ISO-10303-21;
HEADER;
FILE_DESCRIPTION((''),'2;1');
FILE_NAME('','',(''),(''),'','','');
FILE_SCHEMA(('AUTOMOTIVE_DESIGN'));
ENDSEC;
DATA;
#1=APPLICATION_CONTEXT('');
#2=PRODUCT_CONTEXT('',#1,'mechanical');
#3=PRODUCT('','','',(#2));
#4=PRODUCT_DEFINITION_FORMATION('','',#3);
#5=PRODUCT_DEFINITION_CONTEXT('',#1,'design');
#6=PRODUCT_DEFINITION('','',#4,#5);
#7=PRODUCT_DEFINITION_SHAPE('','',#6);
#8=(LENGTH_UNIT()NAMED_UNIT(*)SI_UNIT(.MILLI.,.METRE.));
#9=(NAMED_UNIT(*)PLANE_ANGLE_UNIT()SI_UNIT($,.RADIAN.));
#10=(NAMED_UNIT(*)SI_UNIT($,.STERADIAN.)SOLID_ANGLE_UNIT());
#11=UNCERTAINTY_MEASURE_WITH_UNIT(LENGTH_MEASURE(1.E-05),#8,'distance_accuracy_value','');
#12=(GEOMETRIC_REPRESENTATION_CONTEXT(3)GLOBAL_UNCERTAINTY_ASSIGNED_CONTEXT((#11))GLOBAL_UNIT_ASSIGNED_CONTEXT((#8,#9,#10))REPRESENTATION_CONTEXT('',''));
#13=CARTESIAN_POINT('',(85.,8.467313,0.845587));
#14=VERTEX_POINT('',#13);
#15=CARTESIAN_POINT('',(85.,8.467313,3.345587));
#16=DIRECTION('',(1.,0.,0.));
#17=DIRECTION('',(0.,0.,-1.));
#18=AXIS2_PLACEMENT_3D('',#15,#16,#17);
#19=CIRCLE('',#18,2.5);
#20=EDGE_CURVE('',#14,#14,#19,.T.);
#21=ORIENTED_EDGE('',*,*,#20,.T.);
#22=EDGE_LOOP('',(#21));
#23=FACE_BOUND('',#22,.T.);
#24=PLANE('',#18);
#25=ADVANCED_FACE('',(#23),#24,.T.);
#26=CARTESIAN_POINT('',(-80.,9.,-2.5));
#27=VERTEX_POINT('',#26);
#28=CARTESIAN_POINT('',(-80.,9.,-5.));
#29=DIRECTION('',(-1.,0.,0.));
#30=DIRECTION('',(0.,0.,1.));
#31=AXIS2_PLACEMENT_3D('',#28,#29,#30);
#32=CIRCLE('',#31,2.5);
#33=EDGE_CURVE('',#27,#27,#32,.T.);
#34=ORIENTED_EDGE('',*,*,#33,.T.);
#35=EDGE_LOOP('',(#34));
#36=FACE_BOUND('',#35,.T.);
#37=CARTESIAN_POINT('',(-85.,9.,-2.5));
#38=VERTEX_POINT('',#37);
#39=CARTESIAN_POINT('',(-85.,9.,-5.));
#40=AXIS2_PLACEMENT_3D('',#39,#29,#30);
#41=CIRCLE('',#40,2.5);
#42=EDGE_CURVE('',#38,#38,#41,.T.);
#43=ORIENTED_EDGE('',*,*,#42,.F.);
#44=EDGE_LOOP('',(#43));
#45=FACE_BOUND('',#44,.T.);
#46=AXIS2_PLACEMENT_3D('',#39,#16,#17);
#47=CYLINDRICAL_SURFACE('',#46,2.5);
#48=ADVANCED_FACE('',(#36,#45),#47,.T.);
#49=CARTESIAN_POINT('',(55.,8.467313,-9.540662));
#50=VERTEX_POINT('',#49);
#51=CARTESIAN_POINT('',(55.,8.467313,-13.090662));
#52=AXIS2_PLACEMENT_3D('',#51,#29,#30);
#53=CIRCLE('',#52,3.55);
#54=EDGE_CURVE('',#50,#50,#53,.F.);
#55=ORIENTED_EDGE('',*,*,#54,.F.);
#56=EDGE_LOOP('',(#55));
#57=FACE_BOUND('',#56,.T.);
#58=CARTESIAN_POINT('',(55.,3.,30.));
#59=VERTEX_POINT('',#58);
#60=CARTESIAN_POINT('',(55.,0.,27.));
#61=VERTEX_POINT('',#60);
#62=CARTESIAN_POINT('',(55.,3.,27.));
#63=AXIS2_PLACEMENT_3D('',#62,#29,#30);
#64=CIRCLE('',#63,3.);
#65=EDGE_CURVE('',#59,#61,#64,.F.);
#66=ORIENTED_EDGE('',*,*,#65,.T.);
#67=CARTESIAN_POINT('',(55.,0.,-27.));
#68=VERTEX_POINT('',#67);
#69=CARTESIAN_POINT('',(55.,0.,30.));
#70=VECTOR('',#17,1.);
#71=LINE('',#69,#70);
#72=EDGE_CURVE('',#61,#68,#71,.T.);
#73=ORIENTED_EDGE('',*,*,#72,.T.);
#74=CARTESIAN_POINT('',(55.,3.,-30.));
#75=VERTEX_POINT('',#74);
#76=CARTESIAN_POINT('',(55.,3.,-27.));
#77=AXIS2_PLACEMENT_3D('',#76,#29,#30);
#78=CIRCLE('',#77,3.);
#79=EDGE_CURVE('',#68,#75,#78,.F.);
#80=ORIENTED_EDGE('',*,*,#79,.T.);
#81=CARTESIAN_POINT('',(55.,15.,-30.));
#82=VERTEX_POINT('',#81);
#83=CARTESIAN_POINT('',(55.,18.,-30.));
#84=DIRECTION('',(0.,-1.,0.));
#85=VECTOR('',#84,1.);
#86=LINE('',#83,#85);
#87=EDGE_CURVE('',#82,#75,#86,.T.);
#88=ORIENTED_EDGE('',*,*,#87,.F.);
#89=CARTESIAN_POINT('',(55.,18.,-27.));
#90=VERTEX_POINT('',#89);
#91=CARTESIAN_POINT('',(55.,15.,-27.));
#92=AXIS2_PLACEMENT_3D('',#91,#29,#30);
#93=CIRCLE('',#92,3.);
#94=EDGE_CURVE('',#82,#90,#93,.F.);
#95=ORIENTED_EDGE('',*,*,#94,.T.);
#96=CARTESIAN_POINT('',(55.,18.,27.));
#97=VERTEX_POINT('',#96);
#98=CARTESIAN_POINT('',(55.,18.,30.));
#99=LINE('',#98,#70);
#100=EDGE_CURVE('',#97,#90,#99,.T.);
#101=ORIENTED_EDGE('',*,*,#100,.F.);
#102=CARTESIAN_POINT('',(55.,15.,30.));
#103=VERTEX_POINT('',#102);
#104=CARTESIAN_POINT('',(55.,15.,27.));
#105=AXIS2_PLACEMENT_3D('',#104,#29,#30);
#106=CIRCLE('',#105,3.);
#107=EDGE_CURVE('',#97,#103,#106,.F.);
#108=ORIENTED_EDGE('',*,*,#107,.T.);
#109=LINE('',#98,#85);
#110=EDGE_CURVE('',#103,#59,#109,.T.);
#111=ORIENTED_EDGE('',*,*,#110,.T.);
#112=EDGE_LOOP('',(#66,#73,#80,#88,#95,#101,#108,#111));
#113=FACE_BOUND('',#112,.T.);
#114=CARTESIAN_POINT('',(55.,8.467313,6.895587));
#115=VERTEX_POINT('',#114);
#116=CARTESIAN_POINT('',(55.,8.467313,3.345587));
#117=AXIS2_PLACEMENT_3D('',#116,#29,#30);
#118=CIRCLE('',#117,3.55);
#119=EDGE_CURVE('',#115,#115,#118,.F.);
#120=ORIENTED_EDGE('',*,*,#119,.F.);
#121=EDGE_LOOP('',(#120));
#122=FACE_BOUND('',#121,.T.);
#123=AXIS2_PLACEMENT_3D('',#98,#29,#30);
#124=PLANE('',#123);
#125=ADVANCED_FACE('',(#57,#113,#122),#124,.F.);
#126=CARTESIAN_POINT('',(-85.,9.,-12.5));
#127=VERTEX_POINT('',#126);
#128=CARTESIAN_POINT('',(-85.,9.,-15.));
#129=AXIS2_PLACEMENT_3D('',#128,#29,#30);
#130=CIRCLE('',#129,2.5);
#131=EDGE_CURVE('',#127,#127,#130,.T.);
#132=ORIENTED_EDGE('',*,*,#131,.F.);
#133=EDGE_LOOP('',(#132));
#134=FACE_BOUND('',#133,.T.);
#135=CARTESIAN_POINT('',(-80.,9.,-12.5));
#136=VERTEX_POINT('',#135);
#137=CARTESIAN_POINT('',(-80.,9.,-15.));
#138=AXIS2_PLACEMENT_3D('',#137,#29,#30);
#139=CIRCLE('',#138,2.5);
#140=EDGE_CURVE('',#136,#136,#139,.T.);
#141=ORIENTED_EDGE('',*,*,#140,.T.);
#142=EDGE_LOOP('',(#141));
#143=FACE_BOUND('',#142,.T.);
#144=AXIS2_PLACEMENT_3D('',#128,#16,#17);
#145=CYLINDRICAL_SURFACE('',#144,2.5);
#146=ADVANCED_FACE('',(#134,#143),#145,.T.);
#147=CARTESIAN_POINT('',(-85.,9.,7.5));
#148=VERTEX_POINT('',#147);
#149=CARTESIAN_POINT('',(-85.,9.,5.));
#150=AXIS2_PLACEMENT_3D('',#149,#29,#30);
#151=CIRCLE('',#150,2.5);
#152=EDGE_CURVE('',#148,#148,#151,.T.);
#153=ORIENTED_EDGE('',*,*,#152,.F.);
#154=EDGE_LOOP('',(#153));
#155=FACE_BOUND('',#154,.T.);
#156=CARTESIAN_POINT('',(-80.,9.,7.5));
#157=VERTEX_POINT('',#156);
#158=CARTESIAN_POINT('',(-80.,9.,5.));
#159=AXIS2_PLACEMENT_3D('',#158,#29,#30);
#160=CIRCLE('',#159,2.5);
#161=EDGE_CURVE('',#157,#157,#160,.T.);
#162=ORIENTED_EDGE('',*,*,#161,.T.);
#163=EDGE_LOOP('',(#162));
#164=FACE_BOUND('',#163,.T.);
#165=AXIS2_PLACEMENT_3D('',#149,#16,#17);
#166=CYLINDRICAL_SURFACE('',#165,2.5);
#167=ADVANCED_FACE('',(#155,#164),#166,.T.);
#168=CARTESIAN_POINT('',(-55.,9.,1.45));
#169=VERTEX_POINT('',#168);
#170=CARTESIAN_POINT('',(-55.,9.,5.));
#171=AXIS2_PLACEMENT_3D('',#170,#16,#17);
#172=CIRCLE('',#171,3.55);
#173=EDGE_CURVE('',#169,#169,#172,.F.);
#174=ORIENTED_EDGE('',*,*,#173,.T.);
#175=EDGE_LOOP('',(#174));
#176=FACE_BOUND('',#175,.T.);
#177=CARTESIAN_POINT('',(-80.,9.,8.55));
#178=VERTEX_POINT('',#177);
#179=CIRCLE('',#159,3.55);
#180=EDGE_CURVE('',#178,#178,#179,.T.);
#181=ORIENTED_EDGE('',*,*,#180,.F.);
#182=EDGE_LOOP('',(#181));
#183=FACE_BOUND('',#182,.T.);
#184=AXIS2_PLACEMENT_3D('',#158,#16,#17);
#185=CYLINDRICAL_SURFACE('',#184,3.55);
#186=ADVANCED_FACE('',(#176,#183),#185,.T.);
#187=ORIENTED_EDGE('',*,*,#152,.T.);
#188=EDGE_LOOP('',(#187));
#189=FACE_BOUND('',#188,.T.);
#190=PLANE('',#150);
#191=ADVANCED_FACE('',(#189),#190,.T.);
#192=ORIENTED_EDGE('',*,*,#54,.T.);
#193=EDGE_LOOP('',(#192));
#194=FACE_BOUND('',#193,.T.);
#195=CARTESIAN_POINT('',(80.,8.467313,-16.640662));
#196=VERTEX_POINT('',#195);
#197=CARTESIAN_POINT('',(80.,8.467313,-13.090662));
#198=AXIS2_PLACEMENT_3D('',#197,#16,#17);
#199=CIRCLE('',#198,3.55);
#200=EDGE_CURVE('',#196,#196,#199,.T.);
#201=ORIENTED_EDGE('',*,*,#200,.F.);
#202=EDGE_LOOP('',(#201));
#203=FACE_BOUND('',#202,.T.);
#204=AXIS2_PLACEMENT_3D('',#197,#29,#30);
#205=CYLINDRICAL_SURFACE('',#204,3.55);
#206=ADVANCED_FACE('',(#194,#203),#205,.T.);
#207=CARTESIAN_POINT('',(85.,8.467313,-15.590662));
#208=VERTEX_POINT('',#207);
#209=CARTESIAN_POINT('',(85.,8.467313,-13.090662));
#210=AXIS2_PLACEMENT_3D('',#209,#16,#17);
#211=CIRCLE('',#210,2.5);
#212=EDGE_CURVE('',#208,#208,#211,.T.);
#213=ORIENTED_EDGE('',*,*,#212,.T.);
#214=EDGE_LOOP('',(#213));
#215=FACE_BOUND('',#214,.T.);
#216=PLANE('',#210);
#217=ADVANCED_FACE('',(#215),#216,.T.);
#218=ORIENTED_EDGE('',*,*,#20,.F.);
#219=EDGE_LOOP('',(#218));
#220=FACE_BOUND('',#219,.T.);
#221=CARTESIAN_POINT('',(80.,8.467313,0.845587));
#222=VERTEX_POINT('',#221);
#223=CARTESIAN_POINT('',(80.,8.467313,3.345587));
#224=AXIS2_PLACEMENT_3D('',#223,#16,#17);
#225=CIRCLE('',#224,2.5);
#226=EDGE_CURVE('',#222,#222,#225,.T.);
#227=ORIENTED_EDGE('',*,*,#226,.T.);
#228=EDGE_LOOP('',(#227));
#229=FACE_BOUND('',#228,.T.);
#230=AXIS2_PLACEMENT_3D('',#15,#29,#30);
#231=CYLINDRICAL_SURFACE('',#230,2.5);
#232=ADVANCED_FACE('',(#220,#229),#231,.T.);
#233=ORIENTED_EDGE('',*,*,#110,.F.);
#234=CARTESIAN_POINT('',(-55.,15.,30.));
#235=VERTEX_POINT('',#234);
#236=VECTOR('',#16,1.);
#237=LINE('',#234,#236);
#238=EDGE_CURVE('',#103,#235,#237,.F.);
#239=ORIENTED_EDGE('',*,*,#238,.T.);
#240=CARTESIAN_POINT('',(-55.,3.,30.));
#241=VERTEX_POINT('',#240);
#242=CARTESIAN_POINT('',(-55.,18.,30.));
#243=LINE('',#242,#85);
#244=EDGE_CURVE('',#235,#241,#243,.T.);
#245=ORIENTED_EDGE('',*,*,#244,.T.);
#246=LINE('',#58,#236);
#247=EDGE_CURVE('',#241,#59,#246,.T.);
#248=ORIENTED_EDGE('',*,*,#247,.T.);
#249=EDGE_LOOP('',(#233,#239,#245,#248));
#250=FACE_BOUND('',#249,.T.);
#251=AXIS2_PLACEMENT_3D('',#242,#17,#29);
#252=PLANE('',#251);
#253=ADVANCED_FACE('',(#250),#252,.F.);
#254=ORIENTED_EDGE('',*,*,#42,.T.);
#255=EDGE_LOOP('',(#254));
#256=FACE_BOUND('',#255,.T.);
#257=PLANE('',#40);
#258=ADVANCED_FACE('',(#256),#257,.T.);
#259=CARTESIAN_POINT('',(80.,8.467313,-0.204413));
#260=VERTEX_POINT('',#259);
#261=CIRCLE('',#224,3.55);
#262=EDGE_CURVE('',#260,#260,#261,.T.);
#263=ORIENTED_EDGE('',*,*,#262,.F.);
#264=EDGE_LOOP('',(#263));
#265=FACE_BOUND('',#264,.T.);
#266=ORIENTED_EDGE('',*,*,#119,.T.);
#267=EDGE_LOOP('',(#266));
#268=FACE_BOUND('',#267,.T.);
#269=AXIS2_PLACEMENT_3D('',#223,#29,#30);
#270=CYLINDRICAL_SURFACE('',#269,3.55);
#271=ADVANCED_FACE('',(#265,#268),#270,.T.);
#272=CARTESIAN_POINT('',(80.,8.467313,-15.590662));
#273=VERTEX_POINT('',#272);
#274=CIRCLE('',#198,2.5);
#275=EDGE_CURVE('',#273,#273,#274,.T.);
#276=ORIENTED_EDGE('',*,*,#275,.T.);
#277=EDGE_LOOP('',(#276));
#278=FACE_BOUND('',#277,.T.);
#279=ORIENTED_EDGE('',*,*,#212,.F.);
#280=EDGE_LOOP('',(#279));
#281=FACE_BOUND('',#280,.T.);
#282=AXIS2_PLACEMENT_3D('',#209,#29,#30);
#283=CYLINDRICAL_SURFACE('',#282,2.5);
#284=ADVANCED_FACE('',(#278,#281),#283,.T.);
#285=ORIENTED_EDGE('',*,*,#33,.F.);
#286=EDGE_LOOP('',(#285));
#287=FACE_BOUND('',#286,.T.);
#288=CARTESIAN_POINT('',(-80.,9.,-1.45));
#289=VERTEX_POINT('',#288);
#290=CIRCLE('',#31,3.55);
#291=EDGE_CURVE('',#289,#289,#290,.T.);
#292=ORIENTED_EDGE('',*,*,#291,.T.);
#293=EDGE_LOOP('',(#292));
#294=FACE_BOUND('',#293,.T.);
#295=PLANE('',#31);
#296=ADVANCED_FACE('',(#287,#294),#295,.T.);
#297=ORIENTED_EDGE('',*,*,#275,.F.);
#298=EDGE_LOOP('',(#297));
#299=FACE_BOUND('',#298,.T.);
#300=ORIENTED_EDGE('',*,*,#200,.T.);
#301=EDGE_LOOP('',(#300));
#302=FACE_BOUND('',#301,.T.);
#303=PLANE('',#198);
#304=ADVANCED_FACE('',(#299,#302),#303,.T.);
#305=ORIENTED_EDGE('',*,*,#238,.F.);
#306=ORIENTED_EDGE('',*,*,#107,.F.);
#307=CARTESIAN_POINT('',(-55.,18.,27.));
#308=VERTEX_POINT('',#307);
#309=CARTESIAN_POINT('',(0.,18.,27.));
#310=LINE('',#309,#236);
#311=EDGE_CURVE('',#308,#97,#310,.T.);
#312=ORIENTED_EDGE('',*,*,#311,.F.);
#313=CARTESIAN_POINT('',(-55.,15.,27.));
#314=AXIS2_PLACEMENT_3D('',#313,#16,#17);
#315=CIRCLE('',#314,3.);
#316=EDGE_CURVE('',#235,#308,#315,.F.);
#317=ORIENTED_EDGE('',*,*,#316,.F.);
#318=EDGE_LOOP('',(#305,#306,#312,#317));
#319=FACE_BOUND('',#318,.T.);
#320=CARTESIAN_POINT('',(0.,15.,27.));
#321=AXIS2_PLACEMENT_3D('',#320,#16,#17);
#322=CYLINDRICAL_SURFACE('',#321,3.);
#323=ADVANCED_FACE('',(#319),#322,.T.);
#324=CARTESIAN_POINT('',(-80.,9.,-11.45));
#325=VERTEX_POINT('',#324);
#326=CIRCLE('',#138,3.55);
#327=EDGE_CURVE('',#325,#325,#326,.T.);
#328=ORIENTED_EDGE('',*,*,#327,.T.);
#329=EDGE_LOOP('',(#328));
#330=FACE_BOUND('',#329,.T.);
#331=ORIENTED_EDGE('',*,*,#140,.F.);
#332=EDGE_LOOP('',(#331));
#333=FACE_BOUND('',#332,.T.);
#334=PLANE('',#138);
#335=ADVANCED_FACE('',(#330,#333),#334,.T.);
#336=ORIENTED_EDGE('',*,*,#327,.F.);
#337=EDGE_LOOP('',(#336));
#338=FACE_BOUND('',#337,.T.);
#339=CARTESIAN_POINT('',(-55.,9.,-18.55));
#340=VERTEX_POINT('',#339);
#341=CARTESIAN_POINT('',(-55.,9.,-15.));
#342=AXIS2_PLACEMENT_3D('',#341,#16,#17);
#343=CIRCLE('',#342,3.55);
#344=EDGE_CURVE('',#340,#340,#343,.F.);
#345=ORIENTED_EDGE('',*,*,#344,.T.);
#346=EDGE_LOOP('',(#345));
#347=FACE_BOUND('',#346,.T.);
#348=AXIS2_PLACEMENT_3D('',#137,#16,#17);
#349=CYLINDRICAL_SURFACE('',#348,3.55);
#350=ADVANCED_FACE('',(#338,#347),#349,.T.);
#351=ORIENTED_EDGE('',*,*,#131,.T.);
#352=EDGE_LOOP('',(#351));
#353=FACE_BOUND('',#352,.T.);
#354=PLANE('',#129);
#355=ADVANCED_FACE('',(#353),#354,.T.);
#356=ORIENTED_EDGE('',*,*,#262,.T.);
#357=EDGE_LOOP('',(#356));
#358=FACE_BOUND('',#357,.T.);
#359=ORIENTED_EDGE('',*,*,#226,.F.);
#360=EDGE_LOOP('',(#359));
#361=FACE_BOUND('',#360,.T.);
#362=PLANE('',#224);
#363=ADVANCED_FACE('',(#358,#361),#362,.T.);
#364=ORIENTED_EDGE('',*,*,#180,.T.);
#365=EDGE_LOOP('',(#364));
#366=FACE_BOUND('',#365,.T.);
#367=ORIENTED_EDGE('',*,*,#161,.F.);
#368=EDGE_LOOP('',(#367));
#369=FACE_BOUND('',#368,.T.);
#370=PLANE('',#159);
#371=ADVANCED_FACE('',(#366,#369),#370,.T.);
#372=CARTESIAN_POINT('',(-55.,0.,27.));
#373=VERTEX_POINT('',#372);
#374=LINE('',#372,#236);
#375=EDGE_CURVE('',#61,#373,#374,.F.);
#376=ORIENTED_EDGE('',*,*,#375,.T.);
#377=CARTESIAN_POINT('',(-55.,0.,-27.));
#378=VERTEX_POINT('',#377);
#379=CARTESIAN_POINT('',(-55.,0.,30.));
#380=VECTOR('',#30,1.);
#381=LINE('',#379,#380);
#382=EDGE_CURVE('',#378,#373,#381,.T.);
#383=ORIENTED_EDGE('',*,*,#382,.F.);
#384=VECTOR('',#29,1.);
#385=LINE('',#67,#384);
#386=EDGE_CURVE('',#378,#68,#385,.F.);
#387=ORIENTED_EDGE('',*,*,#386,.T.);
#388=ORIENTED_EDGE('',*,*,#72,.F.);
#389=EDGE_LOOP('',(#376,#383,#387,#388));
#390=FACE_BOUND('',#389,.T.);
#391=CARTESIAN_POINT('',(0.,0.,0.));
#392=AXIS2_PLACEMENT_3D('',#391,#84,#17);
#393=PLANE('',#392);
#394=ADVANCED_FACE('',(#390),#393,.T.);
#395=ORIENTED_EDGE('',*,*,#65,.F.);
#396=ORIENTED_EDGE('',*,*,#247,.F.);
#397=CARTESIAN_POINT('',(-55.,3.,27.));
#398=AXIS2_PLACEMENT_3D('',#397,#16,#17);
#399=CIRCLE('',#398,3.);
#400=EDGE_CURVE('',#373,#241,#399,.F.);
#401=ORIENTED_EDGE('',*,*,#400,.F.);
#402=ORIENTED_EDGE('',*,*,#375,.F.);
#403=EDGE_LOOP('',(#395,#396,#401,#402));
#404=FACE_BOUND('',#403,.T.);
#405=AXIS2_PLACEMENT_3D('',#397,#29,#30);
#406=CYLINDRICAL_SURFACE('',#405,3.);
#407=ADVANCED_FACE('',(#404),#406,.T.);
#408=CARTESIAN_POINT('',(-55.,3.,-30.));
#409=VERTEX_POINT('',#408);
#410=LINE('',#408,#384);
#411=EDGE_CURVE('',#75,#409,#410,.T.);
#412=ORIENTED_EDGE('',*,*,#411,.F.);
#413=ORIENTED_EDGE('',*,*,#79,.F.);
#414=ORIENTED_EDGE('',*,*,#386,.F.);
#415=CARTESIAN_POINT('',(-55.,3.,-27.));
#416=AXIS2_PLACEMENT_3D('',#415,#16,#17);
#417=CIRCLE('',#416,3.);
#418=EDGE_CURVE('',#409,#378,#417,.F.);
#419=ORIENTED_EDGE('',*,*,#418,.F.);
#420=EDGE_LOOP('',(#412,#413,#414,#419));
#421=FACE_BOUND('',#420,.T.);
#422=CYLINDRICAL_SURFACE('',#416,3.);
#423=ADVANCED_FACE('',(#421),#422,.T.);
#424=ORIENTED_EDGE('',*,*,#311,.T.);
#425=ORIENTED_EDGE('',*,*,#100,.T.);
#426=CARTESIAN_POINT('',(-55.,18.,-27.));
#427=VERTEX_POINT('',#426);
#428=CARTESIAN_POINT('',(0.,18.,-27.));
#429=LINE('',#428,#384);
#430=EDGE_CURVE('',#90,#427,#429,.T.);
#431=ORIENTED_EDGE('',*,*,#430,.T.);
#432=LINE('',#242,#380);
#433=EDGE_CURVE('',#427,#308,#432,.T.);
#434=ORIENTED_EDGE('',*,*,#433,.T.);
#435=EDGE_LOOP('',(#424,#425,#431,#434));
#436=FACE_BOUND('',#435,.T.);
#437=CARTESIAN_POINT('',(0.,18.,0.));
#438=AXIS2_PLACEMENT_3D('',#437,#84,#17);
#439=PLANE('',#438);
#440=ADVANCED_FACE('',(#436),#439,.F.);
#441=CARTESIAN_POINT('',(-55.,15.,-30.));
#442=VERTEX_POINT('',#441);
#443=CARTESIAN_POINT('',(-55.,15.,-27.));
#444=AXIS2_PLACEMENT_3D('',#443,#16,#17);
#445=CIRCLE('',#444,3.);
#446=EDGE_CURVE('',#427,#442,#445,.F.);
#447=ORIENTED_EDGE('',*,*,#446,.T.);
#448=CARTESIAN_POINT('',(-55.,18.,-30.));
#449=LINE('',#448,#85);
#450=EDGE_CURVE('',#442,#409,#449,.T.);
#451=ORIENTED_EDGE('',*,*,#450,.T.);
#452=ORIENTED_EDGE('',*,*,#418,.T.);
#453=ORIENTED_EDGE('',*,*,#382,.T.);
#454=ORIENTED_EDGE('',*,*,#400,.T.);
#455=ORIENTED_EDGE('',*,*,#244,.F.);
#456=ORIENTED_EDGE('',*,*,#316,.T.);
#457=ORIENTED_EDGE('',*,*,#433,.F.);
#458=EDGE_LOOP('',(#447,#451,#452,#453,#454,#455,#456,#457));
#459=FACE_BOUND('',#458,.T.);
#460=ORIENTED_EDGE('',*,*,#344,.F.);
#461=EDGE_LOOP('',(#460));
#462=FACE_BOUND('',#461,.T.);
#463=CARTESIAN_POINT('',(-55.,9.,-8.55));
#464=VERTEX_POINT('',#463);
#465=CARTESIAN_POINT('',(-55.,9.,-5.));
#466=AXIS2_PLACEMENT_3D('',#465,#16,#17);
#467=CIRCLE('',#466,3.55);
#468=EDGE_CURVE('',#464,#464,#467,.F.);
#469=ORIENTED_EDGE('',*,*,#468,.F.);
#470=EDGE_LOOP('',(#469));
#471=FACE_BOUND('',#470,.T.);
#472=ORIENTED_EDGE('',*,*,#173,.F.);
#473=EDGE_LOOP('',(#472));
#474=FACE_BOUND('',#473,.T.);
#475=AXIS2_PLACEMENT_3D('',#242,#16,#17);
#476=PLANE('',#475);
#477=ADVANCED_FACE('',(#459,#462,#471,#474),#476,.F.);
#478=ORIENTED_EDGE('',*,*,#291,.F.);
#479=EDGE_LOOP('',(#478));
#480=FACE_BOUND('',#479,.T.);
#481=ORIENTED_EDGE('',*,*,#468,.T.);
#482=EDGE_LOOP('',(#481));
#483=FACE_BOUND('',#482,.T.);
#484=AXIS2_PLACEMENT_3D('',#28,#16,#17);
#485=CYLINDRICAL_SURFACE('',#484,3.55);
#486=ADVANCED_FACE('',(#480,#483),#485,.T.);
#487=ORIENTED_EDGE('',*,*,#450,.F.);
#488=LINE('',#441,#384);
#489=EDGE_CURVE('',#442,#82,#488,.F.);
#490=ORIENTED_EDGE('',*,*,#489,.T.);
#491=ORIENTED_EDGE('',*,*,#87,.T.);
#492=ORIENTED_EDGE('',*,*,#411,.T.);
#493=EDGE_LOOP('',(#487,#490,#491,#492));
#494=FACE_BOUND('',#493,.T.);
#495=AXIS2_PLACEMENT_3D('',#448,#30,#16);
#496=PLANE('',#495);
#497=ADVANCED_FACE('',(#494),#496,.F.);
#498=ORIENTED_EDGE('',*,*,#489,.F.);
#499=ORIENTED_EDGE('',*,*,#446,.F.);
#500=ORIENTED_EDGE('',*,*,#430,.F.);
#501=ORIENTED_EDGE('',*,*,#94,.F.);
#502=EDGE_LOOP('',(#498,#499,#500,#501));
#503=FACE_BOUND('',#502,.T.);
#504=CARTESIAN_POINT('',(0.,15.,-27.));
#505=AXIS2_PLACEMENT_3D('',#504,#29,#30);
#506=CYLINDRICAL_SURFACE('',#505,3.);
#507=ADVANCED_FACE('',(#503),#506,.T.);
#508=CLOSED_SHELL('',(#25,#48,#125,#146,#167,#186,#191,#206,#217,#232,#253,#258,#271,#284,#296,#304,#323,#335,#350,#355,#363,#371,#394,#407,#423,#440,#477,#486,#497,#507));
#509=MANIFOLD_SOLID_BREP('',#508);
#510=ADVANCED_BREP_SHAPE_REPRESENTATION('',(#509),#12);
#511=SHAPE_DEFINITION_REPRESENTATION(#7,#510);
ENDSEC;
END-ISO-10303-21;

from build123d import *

# Parameters (mm, degrees)
SKETCH1_W           = 110
SKETCH1_H           = 60
BOSS_EXTRUDE1_DEPTH = 18
FILLET1_R           = 3
SKETCH2_R           = 3.55
BOSS_EXTRUDE2_DEPTH = 25
SKETCH3_R           = 3.55
BOSS_EXTRUDE3_DEPTH = 25
SKETCH4_R           = 2.5
BOSS_EXTRUDE4_DEPTH = 5
SKETCH5_R           = 2.5
BOSS_EXTRUDE5_DEPTH = 5


with BuildPart() as part:
    # Sketch1 → Boss-Extrude1 (new body)
    with BuildSketch(Plane(origin=(0, 0, 0), x_dir=(1, 0, 0), z_dir=(0, 1, 0))):
        Rectangle(SKETCH1_W, SKETCH1_H)
    extrude(amount=BOSS_EXTRUDE1_DEPTH)

    # Fillet1
    fillet1_edges = [part.edges().sort_by_distance(p)[0] for p in [
        (0, 18, 30),
        (0, 0, 30),
        (0, 0, -30),
        (0, 18, -30),
    ]]
    fillet(fillet1_edges, radius=FILLET1_R)

    # Sketch2 → Boss-Extrude2 (add)
    with BuildSketch(Plane(origin=(55, 0, 0), x_dir=(0, 0, -1), z_dir=(1, 0, 0))):
        with Locations(Location((13.090661553, 8.467313241, 0), (0, 0, 180))):
            Circle(SKETCH2_R)
        with Locations(Location((-3.345586855, 8.467313241, 0), (0, 0, 180))):
            Circle(SKETCH2_R)
    extrude(amount=BOSS_EXTRUDE2_DEPTH)

    # Sketch3 → Boss-Extrude3 (add)
    with BuildSketch(Plane.ZY.offset(55)):
        with Locations(Location((-15, 9, 0), (0, 0, 180))):
            Circle(SKETCH3_R)
        with Locations(Location((5, 9, 0), (0, 0, 180))):
            Circle(SKETCH3_R)
        with Locations(Location((-5, 9, 0), (0, 0, 180))):
            Circle(SKETCH3_R)
    extrude(amount=BOSS_EXTRUDE3_DEPTH)

    # Sketch4 → Boss-Extrude4 (add)
    with BuildSketch(Plane.ZY.offset(80)):
        with Locations((-15, 9)):
            Circle(SKETCH4_R)
        with Locations((-5, 9)):
            Circle(SKETCH4_R)
        with Locations((5, 9)):
            Circle(SKETCH4_R)
    extrude(amount=BOSS_EXTRUDE4_DEPTH)

    # Sketch5 → Boss-Extrude5 (add)
    with BuildSketch(Plane(origin=(80, 0, 0), x_dir=(0, 0, -1), z_dir=(1, 0, 0))):
        with Locations((-3.345586855, 8.467313241)):
            Circle(SKETCH5_R)
        with Locations((13.090661553, 8.467313241)):
            Circle(SKETCH5_R)
    extrude(amount=BOSS_EXTRUDE5_DEPTH)


solid = part.part
